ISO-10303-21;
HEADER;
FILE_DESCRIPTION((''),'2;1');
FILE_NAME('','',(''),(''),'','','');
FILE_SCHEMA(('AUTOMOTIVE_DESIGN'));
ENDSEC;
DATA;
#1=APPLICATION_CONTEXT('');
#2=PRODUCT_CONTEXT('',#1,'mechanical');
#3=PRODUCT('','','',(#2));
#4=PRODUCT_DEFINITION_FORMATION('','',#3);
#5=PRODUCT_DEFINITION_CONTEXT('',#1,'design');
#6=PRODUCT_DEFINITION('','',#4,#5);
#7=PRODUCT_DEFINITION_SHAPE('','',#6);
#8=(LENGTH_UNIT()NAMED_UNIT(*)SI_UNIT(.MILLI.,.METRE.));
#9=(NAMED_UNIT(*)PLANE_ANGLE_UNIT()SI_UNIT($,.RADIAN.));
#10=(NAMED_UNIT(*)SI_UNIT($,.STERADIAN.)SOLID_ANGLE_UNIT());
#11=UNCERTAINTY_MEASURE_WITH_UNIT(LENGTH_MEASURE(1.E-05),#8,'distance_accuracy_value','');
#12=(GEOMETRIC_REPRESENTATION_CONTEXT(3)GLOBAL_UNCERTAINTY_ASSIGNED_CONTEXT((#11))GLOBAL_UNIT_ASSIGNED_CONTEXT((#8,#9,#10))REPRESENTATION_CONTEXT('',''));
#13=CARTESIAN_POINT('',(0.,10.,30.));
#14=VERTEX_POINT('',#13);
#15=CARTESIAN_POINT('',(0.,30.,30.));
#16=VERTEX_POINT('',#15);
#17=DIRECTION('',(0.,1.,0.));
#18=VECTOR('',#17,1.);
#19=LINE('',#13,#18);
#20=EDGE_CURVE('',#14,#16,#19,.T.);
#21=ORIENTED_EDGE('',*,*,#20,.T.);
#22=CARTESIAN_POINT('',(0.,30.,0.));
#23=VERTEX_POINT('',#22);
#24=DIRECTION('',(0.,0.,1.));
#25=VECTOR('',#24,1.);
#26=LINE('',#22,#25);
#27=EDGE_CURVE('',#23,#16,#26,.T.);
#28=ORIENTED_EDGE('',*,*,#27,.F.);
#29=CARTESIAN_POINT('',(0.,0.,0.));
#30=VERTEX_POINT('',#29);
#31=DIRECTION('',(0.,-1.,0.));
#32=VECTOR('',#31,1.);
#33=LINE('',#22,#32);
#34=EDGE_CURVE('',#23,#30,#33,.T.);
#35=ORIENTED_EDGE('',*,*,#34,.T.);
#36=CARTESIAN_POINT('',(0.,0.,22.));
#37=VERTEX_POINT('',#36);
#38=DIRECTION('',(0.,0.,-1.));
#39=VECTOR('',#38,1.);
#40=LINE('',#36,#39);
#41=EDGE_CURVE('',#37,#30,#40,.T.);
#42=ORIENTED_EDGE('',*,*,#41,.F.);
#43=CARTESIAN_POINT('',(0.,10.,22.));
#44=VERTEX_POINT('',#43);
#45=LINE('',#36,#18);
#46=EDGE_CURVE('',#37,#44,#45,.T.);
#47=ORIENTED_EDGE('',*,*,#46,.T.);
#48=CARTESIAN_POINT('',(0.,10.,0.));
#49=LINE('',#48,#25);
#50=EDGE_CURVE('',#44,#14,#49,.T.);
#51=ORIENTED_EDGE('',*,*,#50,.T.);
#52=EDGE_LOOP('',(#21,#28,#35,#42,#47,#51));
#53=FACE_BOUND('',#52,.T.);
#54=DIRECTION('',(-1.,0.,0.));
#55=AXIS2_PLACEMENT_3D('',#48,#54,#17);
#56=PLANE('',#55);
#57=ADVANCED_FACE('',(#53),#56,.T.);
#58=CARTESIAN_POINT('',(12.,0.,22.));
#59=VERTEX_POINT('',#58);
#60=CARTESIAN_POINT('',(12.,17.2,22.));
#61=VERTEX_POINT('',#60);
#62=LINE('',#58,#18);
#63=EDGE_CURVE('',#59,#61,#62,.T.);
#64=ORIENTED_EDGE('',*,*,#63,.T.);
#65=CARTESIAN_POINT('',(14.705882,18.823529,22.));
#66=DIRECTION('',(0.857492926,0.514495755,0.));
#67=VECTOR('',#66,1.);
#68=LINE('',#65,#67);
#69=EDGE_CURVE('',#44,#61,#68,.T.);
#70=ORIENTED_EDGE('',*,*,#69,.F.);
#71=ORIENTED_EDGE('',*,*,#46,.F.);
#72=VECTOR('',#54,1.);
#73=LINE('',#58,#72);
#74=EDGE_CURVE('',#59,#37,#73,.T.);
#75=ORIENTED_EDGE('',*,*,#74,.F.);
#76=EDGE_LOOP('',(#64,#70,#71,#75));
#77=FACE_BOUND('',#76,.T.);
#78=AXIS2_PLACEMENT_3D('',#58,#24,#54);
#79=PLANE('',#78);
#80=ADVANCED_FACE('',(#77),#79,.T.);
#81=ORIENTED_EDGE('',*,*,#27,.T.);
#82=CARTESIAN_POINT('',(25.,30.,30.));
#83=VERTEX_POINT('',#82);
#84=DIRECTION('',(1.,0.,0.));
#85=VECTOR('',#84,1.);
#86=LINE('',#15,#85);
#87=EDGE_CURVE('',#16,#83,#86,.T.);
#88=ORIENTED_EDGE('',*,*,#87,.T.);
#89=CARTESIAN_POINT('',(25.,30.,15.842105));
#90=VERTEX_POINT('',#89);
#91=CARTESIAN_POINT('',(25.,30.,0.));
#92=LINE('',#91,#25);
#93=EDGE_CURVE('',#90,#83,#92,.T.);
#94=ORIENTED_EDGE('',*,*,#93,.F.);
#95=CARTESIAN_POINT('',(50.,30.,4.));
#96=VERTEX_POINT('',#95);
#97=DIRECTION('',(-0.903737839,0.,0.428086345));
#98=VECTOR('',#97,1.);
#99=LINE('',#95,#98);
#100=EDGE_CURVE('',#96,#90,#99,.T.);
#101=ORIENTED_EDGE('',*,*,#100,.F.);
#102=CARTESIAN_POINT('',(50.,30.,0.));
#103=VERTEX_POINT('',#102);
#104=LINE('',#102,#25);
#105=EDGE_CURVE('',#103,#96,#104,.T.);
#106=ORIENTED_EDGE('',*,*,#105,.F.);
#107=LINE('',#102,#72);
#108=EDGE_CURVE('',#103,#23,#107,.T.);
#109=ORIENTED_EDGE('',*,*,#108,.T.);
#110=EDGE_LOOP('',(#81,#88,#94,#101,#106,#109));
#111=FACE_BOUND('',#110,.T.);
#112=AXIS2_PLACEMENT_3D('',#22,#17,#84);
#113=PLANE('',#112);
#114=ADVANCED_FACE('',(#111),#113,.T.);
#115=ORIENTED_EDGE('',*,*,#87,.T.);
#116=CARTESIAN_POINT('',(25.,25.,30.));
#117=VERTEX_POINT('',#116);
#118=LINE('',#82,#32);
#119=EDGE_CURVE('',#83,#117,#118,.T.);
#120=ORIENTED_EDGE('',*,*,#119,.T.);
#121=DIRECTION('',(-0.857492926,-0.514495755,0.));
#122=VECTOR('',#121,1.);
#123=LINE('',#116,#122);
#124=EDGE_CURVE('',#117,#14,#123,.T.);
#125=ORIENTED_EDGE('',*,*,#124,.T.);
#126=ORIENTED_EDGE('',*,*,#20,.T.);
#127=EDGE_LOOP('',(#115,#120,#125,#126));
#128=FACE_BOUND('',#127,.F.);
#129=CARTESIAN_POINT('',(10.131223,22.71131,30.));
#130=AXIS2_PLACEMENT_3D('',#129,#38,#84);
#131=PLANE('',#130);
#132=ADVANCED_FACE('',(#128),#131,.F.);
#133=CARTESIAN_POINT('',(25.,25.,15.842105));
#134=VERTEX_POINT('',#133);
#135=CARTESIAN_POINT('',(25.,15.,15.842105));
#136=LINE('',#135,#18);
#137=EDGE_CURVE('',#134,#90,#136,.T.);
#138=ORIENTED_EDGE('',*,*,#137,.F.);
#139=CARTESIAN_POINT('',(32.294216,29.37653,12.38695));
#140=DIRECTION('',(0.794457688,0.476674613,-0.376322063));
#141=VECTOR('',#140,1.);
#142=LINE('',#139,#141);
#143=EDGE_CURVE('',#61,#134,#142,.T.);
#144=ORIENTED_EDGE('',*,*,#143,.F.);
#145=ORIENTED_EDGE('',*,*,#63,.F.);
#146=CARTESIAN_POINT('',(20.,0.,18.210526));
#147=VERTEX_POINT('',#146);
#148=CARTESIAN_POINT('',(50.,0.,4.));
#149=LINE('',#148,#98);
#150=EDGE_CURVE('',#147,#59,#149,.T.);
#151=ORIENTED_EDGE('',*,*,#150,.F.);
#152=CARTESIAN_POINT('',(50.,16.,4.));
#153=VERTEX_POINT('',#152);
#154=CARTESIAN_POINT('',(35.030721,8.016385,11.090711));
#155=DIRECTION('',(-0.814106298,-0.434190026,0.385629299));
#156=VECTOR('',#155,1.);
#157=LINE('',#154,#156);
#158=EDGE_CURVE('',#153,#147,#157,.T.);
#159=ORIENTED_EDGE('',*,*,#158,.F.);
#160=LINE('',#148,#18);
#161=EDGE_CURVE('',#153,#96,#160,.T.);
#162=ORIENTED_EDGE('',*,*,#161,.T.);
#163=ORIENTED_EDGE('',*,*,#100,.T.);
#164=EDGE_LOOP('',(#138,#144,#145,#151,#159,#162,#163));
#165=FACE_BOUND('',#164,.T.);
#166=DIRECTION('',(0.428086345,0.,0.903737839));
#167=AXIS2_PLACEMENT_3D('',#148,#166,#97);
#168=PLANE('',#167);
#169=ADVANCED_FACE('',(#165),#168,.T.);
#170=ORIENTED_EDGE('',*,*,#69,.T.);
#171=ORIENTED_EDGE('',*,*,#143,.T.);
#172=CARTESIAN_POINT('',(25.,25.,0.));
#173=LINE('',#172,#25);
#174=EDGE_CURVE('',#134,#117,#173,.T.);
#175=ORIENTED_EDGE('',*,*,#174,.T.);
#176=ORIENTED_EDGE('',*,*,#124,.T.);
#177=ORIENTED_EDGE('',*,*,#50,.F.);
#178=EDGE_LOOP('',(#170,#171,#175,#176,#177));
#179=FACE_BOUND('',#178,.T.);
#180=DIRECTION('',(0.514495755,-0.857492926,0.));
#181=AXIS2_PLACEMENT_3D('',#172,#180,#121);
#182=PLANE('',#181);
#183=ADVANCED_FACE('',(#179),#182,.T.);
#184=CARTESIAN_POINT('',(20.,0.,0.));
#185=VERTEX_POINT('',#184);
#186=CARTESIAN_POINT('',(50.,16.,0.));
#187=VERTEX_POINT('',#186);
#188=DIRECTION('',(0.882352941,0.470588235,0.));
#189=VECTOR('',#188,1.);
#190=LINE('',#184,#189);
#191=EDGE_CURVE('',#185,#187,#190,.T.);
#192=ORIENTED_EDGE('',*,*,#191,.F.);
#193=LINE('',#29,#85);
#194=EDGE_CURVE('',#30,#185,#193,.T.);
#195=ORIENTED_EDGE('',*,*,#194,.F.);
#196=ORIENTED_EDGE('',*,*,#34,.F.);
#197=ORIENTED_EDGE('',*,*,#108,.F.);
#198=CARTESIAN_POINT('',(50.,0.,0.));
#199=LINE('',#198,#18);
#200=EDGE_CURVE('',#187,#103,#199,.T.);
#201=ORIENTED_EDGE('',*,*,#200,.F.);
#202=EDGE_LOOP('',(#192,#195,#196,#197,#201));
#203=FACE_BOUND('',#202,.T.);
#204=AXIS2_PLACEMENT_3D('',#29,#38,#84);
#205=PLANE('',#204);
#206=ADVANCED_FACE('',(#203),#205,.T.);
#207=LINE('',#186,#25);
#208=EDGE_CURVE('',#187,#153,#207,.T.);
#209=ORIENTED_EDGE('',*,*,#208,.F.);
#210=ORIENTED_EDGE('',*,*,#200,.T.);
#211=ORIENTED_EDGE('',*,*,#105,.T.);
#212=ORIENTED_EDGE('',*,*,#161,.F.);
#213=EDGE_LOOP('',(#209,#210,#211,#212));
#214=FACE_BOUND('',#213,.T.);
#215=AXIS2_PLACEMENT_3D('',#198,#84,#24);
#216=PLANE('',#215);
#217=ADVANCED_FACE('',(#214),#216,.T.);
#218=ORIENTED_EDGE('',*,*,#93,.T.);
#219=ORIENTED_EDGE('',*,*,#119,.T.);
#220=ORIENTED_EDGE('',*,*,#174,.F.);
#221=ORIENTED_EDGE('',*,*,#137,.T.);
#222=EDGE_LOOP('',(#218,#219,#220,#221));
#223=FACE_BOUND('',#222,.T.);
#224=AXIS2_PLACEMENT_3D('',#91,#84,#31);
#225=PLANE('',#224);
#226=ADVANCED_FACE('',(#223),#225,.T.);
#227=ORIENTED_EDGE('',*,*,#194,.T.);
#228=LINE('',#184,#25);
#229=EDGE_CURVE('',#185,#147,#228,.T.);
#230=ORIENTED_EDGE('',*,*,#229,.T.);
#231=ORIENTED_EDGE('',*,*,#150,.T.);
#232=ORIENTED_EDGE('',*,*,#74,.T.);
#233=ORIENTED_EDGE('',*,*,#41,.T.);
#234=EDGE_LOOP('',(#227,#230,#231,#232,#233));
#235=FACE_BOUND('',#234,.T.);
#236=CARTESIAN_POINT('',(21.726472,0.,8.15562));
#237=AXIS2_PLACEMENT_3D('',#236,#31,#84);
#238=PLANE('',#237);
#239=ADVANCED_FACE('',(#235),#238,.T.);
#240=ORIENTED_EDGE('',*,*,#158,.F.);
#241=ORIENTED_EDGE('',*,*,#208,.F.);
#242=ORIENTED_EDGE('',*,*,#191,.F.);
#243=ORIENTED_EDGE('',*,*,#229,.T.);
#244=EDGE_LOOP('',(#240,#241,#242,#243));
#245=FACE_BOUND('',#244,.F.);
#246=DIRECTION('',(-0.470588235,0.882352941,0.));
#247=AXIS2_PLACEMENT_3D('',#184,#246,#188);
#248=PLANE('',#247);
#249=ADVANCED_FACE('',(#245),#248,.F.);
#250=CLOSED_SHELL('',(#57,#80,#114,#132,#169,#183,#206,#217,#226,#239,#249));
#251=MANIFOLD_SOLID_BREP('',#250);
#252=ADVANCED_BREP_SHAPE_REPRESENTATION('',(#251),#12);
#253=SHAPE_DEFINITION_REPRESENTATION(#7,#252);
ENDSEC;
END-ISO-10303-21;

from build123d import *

# Parameters (mm, degrees)
F1_DEPTH = 30
F3_DEPTH = 22.001
F4_DEPTH = 30


with BuildPart() as f1:
    # F0 (on Front) → F1 (new body)
    with BuildSketch(Plane.XZ):
        Polygon((0, 22), (0, 0), (50, 0), (50, 4), (12, 22), align=None)
    extrude(amount=-F1_DEPTH)

    # F2 (on face) → F3 (cut, through all)
    with BuildSketch(Plane(origin=(0, 0, 0), x_dir=(1, 0, 0), z_dir=(0, 0, -1))):
        Polygon((20, 0), (50, -16), (50, 0), align=None)
    extrude(amount=-F3_DEPTH, mode=Mode.SUBTRACT)

    # F2 (on face) → F4 (join)
    with BuildSketch(Plane(origin=(0, 0, 0), x_dir=(1, 0, 0), z_dir=(0, 0, -1))):
        Polygon((0, -30), (25, -30), (25, -25), (0, -10), align=None)
    extrude(amount=-F4_DEPTH)


solid = f1.part
